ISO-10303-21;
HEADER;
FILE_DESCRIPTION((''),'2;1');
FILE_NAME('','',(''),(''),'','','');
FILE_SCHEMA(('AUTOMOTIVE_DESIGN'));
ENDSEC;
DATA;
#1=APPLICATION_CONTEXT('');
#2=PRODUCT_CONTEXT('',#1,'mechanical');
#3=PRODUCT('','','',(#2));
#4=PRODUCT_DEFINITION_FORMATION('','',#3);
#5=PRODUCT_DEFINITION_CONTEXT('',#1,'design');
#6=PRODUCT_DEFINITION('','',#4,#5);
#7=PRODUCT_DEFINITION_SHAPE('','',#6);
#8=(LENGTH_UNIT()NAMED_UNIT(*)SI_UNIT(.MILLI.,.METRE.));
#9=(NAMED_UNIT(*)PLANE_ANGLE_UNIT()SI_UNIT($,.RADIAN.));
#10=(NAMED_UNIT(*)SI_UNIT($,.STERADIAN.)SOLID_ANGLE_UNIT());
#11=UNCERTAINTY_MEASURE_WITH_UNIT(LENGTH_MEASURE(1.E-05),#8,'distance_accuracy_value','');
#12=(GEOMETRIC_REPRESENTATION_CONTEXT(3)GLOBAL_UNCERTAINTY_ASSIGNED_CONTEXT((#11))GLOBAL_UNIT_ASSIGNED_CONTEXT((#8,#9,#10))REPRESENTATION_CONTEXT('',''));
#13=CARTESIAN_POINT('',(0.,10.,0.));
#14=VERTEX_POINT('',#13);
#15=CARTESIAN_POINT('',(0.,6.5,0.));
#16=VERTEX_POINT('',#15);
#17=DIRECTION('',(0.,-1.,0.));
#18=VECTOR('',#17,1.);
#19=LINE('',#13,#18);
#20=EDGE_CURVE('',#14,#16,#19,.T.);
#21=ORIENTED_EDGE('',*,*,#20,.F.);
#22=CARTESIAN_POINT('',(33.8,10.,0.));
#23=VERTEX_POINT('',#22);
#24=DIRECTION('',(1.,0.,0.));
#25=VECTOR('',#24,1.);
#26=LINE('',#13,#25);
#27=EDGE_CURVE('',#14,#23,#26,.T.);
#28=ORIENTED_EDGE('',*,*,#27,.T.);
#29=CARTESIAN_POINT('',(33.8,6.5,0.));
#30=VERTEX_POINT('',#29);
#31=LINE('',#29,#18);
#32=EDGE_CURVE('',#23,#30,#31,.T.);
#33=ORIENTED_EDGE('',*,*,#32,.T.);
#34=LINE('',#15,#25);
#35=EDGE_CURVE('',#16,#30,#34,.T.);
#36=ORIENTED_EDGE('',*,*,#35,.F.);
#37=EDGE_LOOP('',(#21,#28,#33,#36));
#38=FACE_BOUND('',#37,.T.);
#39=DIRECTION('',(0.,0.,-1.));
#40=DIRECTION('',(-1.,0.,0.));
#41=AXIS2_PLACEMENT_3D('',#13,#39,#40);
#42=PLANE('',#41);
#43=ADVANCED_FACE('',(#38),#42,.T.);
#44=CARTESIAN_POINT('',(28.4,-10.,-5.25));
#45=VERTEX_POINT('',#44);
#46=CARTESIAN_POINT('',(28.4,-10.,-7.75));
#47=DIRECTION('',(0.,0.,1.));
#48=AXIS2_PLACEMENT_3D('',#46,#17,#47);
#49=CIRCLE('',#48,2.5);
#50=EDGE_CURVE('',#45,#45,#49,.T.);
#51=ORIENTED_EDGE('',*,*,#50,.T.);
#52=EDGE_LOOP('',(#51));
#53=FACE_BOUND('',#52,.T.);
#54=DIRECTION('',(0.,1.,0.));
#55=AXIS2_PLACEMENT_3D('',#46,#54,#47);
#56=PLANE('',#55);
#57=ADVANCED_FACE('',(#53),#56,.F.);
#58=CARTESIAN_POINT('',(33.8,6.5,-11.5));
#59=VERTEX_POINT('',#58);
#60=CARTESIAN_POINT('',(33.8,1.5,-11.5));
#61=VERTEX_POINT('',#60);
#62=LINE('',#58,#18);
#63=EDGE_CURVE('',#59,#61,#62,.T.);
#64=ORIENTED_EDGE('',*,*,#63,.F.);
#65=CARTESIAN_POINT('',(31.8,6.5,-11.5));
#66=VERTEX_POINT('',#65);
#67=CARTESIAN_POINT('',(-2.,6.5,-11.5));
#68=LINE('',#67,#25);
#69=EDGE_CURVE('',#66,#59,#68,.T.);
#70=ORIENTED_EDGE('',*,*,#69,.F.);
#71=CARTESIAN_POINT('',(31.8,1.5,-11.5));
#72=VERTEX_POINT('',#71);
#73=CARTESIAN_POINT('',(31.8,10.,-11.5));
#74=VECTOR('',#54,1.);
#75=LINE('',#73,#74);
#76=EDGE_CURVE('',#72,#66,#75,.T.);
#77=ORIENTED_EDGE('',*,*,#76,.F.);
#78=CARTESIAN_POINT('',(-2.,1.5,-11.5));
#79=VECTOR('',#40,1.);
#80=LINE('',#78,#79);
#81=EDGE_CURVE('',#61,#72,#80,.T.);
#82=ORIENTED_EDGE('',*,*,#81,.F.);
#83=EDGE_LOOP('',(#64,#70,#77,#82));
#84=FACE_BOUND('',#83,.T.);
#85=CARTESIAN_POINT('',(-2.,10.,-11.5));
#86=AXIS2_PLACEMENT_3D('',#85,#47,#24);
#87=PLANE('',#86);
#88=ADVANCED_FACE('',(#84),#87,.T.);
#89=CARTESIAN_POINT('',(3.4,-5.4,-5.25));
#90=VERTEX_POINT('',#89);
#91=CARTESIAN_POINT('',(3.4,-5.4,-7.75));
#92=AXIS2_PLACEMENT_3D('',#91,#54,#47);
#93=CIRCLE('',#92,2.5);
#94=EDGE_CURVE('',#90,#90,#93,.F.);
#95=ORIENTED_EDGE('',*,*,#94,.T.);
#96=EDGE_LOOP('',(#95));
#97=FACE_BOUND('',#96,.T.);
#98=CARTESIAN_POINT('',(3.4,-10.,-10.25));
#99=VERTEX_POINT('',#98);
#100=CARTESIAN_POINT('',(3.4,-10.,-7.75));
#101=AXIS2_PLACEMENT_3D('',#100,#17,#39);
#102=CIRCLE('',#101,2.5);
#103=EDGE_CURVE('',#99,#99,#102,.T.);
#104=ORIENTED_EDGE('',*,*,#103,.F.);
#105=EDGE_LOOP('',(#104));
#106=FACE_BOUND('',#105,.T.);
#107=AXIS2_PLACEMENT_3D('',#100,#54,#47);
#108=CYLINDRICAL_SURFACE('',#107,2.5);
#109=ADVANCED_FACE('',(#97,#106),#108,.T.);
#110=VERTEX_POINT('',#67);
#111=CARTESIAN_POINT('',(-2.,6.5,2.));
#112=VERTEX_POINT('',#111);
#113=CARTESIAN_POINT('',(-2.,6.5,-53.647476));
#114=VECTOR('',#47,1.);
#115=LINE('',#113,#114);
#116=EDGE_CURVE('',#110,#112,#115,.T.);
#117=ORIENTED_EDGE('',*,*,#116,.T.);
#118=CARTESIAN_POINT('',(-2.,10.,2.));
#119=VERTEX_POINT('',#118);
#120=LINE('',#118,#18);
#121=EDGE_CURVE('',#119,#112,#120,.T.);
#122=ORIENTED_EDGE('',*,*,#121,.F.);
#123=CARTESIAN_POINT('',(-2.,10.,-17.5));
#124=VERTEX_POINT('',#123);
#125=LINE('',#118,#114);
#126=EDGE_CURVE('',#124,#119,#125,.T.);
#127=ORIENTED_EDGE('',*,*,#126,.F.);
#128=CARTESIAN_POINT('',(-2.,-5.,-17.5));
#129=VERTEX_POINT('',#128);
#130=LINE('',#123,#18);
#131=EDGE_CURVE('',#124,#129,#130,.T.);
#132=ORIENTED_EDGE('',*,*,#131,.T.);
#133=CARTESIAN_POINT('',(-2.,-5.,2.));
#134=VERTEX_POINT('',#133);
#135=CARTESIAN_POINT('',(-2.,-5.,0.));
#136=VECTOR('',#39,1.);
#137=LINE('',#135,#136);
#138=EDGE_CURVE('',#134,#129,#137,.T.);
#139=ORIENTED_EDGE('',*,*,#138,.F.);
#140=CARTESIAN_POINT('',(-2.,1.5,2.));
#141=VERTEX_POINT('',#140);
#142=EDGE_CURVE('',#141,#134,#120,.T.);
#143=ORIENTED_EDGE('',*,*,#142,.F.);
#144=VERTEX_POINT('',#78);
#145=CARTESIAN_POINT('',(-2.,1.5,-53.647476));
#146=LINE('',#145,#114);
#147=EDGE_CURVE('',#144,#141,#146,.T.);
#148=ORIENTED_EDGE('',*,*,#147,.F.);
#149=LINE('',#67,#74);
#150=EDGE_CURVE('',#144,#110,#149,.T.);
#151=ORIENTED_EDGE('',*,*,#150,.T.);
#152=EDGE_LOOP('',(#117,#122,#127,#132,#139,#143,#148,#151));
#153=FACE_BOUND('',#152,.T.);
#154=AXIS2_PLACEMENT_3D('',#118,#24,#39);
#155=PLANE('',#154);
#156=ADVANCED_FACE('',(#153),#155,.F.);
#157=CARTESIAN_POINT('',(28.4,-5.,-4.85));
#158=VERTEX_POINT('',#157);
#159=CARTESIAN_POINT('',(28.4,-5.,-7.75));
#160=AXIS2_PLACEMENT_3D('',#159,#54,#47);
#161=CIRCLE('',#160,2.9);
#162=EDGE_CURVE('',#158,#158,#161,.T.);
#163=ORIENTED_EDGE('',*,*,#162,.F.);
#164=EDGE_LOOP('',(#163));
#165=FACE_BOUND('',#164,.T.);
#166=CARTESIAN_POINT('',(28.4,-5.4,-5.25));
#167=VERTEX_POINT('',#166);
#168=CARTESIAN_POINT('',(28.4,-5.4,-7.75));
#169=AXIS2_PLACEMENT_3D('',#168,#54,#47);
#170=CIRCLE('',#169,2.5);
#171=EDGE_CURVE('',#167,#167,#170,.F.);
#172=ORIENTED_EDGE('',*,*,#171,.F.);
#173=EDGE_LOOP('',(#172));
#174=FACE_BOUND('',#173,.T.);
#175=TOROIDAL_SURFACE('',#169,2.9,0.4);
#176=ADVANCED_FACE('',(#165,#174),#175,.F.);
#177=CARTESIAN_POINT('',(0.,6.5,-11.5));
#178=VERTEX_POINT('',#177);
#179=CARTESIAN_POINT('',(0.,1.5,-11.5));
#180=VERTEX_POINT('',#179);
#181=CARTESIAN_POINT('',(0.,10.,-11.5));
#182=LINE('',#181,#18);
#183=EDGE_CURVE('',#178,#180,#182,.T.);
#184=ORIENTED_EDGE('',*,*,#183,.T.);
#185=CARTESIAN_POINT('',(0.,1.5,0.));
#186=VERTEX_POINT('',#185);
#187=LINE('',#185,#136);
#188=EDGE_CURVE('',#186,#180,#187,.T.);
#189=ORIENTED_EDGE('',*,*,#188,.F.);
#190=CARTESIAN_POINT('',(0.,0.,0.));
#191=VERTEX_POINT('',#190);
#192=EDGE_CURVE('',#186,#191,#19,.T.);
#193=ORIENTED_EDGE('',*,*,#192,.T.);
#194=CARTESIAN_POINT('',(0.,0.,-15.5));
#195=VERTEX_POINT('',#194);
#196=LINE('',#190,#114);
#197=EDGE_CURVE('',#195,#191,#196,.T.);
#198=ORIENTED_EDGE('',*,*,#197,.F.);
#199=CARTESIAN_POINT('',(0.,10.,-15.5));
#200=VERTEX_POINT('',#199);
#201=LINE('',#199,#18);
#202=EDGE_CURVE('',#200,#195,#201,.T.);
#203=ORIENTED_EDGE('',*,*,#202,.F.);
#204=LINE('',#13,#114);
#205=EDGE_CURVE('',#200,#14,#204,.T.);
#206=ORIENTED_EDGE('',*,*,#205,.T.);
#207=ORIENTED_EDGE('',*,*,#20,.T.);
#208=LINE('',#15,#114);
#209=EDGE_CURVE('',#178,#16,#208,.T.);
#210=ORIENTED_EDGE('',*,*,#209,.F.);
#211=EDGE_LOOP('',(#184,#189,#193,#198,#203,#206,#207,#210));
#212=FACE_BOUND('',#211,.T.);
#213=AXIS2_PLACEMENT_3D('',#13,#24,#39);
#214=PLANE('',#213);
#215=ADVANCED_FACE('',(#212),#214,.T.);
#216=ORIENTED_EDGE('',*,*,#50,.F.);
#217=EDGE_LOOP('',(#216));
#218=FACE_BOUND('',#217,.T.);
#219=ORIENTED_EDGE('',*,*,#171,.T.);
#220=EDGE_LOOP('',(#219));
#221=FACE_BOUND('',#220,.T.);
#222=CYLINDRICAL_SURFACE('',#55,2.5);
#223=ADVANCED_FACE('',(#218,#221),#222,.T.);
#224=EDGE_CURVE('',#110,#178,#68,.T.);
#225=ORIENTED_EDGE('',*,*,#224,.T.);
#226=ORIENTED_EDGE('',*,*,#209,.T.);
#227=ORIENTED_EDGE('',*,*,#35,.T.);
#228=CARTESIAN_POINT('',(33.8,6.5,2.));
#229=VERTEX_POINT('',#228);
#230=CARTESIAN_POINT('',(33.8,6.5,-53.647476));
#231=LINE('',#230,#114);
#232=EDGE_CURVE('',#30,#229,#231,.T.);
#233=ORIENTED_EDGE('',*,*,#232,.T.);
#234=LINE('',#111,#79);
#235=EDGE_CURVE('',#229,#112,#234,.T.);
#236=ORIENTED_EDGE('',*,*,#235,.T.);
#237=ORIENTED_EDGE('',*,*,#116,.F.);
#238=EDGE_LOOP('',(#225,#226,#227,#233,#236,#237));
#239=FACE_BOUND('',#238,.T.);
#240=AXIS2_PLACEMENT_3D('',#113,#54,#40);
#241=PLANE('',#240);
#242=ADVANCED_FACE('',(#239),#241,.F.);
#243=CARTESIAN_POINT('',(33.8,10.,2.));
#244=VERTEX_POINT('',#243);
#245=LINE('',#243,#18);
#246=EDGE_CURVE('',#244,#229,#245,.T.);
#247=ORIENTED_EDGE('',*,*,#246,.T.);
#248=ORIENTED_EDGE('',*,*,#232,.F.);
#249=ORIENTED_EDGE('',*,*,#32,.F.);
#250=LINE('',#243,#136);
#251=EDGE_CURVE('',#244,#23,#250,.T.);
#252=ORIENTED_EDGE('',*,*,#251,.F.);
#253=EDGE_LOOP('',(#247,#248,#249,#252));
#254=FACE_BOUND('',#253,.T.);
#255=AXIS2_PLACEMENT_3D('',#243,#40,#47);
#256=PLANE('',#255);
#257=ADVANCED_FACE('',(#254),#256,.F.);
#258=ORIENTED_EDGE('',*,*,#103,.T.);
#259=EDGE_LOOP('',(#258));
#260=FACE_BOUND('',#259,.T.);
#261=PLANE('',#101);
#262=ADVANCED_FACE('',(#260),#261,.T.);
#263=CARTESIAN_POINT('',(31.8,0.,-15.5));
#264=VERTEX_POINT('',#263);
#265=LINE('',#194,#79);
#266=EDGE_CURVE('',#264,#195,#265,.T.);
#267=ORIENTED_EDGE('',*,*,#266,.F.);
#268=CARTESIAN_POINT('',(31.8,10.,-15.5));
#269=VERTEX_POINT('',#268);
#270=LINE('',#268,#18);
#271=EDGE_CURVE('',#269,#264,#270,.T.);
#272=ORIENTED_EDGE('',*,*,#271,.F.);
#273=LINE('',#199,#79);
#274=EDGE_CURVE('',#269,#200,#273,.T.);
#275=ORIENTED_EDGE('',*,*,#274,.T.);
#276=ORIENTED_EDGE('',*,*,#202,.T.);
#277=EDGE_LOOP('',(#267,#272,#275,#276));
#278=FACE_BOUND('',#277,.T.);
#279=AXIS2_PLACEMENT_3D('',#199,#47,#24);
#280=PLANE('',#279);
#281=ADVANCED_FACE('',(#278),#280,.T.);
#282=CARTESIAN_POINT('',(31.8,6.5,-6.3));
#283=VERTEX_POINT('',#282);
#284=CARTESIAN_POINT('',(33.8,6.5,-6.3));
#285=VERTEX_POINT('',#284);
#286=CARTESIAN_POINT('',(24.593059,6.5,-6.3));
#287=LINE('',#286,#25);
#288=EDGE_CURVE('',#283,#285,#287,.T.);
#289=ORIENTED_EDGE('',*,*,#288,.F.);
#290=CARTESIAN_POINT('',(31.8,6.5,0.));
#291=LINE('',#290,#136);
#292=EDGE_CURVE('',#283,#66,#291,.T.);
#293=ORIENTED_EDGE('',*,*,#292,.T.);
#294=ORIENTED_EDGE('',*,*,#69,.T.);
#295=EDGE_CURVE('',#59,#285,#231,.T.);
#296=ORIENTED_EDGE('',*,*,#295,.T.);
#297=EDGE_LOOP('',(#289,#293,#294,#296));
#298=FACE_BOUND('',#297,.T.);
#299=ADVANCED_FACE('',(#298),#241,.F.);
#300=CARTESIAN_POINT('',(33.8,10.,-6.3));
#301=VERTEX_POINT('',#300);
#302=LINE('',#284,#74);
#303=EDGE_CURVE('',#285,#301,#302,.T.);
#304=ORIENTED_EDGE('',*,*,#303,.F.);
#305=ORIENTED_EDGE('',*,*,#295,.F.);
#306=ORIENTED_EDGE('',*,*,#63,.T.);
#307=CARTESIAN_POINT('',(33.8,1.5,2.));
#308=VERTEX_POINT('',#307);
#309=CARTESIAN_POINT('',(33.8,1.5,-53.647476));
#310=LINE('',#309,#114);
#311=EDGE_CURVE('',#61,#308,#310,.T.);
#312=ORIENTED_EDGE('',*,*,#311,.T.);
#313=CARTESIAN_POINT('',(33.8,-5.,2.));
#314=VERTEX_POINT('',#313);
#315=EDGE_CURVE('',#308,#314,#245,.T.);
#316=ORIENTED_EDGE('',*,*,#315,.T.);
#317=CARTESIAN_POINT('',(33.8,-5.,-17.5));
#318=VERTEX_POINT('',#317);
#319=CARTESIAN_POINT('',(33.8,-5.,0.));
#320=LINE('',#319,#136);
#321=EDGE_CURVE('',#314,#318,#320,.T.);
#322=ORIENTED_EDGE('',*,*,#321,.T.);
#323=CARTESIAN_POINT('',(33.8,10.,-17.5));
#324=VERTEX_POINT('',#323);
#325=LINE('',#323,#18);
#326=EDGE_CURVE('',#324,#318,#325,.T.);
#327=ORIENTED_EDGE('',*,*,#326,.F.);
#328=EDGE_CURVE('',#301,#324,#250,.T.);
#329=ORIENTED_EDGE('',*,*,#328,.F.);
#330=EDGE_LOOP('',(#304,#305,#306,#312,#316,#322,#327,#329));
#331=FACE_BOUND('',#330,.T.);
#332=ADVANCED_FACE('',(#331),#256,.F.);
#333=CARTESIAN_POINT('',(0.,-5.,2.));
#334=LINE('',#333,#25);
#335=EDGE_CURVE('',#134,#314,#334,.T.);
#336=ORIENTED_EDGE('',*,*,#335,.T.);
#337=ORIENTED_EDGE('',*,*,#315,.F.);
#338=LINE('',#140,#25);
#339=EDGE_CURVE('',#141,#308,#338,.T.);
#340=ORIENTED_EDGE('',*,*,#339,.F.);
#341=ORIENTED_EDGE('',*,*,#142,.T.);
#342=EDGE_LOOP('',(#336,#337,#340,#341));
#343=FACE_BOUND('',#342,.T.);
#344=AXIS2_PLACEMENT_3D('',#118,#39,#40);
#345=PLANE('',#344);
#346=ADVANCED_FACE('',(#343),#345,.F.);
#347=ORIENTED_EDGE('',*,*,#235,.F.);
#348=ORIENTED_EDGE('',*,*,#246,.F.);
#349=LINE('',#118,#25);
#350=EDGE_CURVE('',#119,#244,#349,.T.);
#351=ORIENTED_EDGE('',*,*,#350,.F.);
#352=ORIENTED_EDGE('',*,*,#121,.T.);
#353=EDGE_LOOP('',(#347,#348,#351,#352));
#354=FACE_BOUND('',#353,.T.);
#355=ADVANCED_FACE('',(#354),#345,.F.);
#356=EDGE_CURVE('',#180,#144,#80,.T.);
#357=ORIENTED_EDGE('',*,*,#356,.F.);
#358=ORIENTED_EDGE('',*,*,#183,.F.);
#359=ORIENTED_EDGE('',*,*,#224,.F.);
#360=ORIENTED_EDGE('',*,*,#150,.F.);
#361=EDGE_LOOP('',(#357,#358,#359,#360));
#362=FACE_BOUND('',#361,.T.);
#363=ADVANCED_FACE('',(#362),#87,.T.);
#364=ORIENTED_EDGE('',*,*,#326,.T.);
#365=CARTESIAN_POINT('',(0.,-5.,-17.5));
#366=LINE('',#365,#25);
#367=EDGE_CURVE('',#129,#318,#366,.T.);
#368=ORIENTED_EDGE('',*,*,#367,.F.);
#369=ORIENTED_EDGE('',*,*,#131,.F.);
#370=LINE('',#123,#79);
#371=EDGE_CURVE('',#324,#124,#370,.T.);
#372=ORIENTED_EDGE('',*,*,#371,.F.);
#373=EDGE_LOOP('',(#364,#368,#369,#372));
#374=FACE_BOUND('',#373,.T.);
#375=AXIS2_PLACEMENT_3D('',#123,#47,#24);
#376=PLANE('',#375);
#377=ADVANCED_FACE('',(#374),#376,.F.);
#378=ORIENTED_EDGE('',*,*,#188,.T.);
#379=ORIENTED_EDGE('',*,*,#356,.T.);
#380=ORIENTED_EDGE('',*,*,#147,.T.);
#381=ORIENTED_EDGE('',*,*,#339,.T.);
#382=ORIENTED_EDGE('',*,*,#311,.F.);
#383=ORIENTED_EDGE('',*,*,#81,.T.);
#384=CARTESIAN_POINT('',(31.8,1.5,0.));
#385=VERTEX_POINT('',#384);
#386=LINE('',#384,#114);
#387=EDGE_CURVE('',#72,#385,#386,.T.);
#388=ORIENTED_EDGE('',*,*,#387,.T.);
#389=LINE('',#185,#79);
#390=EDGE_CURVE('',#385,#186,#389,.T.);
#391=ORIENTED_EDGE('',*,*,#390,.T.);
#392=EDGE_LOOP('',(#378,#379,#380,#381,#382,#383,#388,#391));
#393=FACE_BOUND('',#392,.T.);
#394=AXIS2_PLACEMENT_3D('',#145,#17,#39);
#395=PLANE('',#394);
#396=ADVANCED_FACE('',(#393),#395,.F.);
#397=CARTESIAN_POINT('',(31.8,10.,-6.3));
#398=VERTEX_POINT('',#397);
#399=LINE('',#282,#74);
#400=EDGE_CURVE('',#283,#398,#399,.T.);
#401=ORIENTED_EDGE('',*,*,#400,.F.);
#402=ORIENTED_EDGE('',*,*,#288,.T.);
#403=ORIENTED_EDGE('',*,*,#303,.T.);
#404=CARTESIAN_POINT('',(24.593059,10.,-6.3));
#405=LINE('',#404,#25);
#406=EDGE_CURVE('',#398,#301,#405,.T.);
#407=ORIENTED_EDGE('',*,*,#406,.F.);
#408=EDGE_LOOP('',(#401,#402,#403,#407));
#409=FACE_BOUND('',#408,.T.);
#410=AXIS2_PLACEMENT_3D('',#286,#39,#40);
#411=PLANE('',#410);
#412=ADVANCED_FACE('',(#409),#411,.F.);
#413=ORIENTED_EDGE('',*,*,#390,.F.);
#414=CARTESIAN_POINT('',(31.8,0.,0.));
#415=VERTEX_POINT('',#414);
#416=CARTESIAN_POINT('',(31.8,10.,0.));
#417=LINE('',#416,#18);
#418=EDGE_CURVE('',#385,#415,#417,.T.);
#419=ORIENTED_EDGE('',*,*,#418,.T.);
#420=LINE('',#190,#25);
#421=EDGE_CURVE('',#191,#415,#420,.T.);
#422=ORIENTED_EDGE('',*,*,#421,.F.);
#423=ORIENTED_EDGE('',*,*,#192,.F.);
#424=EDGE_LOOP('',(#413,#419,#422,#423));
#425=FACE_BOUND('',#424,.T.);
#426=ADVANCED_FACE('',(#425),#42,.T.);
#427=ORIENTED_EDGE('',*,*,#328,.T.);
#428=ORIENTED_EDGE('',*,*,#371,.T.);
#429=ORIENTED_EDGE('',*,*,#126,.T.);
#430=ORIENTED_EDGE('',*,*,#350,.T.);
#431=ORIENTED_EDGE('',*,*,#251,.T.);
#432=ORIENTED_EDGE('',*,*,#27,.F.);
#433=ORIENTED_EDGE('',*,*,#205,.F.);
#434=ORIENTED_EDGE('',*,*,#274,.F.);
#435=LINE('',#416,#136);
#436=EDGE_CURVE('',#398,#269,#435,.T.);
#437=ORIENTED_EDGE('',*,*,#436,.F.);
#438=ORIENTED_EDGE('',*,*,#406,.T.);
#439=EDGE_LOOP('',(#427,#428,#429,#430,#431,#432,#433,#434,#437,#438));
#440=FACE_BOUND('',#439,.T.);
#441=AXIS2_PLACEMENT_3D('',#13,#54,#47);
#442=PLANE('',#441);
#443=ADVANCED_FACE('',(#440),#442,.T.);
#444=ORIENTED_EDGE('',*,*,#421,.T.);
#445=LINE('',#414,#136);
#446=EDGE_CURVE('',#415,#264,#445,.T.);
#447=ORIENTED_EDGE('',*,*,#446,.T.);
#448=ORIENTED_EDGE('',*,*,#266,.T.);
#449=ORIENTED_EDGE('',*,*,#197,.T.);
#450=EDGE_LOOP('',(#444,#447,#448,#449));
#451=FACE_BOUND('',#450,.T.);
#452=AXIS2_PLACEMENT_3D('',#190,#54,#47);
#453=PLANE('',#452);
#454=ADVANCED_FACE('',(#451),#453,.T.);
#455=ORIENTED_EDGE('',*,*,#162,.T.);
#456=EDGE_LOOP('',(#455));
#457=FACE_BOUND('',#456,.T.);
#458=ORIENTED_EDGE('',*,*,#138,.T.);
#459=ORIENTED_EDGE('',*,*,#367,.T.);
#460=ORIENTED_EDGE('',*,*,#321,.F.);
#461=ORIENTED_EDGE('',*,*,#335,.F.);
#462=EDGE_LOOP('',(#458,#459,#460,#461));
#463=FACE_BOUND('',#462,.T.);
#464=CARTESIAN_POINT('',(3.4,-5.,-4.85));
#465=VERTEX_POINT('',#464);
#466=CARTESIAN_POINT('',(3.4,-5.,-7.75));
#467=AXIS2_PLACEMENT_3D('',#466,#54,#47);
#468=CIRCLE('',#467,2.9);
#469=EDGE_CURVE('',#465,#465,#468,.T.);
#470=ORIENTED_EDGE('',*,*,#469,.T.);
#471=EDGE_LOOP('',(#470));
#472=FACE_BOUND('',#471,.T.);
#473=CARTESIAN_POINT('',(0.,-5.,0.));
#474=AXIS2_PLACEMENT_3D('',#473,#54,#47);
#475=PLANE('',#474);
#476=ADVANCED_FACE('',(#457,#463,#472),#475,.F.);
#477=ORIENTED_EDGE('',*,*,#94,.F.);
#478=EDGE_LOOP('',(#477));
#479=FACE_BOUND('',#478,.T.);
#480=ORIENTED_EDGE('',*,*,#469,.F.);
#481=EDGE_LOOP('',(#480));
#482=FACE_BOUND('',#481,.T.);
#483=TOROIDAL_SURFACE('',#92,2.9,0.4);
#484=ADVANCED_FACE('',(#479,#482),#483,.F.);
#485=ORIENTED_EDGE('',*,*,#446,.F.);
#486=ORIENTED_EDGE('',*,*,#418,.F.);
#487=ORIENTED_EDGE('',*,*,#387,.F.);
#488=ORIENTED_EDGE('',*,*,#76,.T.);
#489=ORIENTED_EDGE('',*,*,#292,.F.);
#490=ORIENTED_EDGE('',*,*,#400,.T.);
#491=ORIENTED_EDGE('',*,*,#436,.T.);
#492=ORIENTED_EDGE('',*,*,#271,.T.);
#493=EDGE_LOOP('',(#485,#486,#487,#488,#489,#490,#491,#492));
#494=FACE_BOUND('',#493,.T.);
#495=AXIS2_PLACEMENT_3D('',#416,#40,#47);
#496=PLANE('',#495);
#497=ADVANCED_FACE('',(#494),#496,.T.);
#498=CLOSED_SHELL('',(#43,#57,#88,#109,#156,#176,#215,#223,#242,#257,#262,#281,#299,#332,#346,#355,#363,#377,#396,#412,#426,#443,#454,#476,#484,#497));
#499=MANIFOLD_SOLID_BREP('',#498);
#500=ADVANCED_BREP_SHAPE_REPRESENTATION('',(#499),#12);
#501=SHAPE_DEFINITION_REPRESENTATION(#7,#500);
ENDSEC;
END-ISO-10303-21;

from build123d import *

# Parameters (mm, degrees)
SKETCH1_W           = 35.8
SKETCH1_H           = 19.5
SKETCH1_W_2         = 31.8
SKETCH1_H_2         = 15.5
BOSS_EXTRUDE1_DEPTH = 10
SKETCH1_2_W         = 35.8
SKETCH1_2_H         = 19.5
SKETCH1_2_W_2       = 31.8
SKETCH1_2_H_2       = 15.5
BOSS_EXTRUDE2_DEPTH = 5
SKETCH2_W           = 35.8
SKETCH2_H           = 5
CUT_EXTRUDE1_DEPTH  = 13.5
SKETCH3_W           = 6.3
SKETCH3_H           = 3.5
CUT_EXTRUDE2_DEPTH  = 2
SKETCH4_R           = 2.5
BOSS_EXTRUDE3_DEPTH = 5
FILLET1_R           = 0.4


with BuildPart() as part:
    # Sketch1 → Boss-Extrude1 (new body)
    with BuildSketch(Plane(origin=(0, 0, 0), x_dir=(1, 0, 0), z_dir=(0, 1, 0))):
        with Locations((15.9, 7.75)):
            Rectangle(SKETCH1_W, SKETCH1_H)
        with Locations((15.9, 7.75)):
            Rectangle(SKETCH1_W_2, SKETCH1_H_2, mode=Mode.SUBTRACT)
    extrude(amount=BOSS_EXTRUDE1_DEPTH)

    # Sketch1<2> → Boss-Extrude2 (add)
    # profile 1 of 2: a face of its own
    with BuildSketch(Plane(origin=(0, 0, 0), x_dir=(1, 0, 0), z_dir=(0, 1, 0))):
        with Locations((15.9, 7.75)):
            Rectangle(SKETCH1_2_W, SKETCH1_2_H)
        with Locations((15.9, 7.75)):
            Rectangle(SKETCH1_2_W_2, SKETCH1_2_H_2, mode=Mode.SUBTRACT)
    # profile 2 of 2: a face of its own
    with BuildSketch(Plane(origin=(0, 0, 0), x_dir=(1, 0, 0), z_dir=(0, 1, 0))):
        with Locations((15.9, 7.75)):
            Rectangle(SKETCH1_2_W_2, SKETCH1_2_H_2)
    extrude(amount=-BOSS_EXTRUDE2_DEPTH)

    # Sketch2 → Cut-Extrude1 (cut)
    with BuildSketch(Plane.XY.offset(2)):
        with Locations((15.9, 4)):
            Rectangle(SKETCH2_W, SKETCH2_H)
    extrude(amount=-CUT_EXTRUDE1_DEPTH, mode=Mode.SUBTRACT)

    # Sketch3 → Cut-Extrude2 (cut)
    with BuildSketch(Plane(origin=(33.8, 0, 0), x_dir=(0, 0, -1), z_dir=(1, 0, 0))):
        with Locations((3.15, 8.25)):
            Rectangle(SKETCH3_W, SKETCH3_H)
    extrude(amount=-CUT_EXTRUDE2_DEPTH, mode=Mode.SUBTRACT)

    # Sketch4 → Boss-Extrude3 (add)
    with BuildSketch(Plane.XZ.offset(5)):
        with Locations(Location((3.4, -7.75, 0), (0, 0, 90))):
            Circle(SKETCH4_R)
        with Locations(Location((28.4, -7.75, 0), (0, 0, 90))):
            Circle(SKETCH4_R)
    extrude(amount=BOSS_EXTRUDE3_DEPTH)

    # Fillet1
    fillet1_edges = [part.edges().sort_by_distance(p)[0] for p in [
        (3.4, -5, -10.25),
        (28.4, -5, -10.25),
    ]]
    fillet(fillet1_edges, radius=FILLET1_R)


solid = part.part
